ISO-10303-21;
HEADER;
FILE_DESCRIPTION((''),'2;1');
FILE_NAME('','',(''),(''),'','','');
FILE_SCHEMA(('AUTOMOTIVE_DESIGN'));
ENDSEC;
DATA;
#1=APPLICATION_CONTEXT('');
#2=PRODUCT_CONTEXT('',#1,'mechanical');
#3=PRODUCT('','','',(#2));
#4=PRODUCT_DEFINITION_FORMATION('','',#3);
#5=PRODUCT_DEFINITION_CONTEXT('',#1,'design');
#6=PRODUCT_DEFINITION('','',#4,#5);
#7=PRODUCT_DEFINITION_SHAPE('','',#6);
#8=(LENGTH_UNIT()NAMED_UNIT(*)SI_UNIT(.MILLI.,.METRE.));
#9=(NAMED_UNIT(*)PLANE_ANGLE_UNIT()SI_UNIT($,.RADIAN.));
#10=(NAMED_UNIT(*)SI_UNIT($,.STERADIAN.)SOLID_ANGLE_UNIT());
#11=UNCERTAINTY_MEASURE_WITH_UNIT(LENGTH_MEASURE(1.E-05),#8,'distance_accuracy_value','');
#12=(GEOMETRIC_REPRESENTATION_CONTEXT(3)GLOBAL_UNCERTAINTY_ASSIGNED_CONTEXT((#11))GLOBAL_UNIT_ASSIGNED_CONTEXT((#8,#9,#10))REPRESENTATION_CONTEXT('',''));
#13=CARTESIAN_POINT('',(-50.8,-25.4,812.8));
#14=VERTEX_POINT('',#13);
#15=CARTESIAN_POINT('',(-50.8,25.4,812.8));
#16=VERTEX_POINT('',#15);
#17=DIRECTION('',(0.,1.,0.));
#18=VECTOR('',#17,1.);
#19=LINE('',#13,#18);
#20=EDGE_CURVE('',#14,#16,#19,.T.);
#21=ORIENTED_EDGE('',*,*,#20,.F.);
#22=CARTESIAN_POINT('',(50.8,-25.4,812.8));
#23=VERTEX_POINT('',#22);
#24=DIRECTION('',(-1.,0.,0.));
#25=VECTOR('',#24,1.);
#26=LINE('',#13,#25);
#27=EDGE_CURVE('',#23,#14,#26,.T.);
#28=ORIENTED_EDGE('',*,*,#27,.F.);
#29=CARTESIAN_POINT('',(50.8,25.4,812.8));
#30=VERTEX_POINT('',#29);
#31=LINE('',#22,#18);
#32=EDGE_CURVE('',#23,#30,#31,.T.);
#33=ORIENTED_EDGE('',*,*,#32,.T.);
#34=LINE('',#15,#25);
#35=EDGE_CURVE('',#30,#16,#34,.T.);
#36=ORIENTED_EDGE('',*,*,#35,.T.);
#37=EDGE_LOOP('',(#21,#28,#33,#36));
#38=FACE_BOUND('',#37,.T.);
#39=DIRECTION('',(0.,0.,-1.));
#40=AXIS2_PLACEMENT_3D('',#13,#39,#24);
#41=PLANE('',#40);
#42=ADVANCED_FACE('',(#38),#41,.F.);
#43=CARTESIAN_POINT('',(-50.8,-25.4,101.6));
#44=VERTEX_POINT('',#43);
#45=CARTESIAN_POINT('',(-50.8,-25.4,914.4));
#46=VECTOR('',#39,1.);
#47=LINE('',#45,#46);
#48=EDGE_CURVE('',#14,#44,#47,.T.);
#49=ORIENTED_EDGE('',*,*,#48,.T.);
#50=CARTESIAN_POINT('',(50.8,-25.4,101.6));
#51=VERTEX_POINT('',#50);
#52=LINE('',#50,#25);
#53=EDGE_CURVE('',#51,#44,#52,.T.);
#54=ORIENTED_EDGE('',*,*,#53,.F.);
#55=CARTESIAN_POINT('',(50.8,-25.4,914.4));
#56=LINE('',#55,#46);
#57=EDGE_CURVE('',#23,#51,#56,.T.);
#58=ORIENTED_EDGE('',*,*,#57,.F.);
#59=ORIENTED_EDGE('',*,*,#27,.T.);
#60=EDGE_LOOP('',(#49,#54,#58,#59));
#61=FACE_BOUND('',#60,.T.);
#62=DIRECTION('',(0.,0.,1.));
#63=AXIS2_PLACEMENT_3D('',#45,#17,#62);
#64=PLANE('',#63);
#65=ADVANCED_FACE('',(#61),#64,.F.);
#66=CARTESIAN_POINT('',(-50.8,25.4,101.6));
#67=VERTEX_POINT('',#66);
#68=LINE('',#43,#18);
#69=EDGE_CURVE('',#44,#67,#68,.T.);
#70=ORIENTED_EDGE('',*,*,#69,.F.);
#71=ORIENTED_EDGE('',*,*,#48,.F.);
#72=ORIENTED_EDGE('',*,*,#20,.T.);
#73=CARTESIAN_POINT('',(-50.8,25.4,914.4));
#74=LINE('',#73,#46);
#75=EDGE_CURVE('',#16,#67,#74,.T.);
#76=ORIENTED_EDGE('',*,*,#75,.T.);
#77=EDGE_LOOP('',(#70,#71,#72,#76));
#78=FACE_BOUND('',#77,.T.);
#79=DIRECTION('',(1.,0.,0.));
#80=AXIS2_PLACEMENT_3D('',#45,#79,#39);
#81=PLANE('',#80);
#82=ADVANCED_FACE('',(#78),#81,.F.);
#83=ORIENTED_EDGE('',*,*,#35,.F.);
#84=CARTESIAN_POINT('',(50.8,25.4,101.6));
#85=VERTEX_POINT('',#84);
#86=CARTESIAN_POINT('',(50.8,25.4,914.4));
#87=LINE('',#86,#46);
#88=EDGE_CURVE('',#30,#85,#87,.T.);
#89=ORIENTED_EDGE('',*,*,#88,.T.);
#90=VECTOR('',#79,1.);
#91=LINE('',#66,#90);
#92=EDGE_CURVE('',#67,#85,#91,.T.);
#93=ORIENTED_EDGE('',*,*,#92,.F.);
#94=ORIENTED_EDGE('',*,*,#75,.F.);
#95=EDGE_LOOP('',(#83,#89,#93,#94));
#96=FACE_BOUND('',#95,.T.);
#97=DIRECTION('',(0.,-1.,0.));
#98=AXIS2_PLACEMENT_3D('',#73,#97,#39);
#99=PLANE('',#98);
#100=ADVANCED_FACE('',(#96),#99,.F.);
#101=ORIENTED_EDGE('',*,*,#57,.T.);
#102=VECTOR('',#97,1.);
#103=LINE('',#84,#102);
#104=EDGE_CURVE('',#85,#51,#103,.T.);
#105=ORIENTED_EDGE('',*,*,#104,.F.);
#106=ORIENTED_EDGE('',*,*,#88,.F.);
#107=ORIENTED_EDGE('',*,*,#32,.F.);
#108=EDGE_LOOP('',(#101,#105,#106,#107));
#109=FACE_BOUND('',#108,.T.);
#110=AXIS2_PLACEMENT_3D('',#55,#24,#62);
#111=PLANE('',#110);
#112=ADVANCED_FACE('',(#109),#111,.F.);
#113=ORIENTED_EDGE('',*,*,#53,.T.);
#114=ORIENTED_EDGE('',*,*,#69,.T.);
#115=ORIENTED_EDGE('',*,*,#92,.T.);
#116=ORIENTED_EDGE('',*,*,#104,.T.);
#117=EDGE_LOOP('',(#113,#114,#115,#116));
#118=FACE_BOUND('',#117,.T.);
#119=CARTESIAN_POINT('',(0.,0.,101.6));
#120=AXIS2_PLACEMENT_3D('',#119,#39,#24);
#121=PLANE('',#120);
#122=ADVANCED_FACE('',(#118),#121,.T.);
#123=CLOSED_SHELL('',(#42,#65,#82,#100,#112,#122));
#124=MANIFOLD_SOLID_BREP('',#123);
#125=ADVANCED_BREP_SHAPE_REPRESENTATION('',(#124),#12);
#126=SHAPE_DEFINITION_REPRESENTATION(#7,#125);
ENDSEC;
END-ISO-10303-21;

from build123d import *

# Parameters (mm, degrees)
SKETCH1_W           = 101.6
SKETCH1_H           = 50.8
BOSS_EXTRUDE1_DEPTH = 914.4
SKETCH2_W           = 101.6
SKETCH2_H           = 50.8
CUT_EXTRUDE1_DEPTH  = 101.6
SKETCH3_W           = 101.6
SKETCH3_H           = 101.6
CUT_EXTRUDE2_DEPTH  = 50.8


with BuildPart() as part:
    # Sketch1 → Boss-Extrude1 (new body)
    with BuildSketch(Plane.XY):
        Rectangle(SKETCH1_W, SKETCH1_H)
    extrude(amount=BOSS_EXTRUDE1_DEPTH)

    # Sketch2 → Cut-Extrude1 (cut)
    with BuildSketch(Plane(origin=(0, 0, 0), x_dir=(-1, 0, 0), z_dir=(0, 0, -1))):
        Rectangle(SKETCH2_W, SKETCH2_H)
    extrude(amount=-CUT_EXTRUDE1_DEPTH, mode=Mode.SUBTRACT)

    # Sketch3 → Cut-Extrude2 (cut)
    with BuildSketch(Plane(origin=(0, 25.4, 0), x_dir=(1, 0, 0), z_dir=(0, 1, 0))):
        with Locations((0, -863.6)):
            Rectangle(SKETCH3_W, SKETCH3_H)
    extrude(amount=-CUT_EXTRUDE2_DEPTH, mode=Mode.SUBTRACT)


solid = part.part
